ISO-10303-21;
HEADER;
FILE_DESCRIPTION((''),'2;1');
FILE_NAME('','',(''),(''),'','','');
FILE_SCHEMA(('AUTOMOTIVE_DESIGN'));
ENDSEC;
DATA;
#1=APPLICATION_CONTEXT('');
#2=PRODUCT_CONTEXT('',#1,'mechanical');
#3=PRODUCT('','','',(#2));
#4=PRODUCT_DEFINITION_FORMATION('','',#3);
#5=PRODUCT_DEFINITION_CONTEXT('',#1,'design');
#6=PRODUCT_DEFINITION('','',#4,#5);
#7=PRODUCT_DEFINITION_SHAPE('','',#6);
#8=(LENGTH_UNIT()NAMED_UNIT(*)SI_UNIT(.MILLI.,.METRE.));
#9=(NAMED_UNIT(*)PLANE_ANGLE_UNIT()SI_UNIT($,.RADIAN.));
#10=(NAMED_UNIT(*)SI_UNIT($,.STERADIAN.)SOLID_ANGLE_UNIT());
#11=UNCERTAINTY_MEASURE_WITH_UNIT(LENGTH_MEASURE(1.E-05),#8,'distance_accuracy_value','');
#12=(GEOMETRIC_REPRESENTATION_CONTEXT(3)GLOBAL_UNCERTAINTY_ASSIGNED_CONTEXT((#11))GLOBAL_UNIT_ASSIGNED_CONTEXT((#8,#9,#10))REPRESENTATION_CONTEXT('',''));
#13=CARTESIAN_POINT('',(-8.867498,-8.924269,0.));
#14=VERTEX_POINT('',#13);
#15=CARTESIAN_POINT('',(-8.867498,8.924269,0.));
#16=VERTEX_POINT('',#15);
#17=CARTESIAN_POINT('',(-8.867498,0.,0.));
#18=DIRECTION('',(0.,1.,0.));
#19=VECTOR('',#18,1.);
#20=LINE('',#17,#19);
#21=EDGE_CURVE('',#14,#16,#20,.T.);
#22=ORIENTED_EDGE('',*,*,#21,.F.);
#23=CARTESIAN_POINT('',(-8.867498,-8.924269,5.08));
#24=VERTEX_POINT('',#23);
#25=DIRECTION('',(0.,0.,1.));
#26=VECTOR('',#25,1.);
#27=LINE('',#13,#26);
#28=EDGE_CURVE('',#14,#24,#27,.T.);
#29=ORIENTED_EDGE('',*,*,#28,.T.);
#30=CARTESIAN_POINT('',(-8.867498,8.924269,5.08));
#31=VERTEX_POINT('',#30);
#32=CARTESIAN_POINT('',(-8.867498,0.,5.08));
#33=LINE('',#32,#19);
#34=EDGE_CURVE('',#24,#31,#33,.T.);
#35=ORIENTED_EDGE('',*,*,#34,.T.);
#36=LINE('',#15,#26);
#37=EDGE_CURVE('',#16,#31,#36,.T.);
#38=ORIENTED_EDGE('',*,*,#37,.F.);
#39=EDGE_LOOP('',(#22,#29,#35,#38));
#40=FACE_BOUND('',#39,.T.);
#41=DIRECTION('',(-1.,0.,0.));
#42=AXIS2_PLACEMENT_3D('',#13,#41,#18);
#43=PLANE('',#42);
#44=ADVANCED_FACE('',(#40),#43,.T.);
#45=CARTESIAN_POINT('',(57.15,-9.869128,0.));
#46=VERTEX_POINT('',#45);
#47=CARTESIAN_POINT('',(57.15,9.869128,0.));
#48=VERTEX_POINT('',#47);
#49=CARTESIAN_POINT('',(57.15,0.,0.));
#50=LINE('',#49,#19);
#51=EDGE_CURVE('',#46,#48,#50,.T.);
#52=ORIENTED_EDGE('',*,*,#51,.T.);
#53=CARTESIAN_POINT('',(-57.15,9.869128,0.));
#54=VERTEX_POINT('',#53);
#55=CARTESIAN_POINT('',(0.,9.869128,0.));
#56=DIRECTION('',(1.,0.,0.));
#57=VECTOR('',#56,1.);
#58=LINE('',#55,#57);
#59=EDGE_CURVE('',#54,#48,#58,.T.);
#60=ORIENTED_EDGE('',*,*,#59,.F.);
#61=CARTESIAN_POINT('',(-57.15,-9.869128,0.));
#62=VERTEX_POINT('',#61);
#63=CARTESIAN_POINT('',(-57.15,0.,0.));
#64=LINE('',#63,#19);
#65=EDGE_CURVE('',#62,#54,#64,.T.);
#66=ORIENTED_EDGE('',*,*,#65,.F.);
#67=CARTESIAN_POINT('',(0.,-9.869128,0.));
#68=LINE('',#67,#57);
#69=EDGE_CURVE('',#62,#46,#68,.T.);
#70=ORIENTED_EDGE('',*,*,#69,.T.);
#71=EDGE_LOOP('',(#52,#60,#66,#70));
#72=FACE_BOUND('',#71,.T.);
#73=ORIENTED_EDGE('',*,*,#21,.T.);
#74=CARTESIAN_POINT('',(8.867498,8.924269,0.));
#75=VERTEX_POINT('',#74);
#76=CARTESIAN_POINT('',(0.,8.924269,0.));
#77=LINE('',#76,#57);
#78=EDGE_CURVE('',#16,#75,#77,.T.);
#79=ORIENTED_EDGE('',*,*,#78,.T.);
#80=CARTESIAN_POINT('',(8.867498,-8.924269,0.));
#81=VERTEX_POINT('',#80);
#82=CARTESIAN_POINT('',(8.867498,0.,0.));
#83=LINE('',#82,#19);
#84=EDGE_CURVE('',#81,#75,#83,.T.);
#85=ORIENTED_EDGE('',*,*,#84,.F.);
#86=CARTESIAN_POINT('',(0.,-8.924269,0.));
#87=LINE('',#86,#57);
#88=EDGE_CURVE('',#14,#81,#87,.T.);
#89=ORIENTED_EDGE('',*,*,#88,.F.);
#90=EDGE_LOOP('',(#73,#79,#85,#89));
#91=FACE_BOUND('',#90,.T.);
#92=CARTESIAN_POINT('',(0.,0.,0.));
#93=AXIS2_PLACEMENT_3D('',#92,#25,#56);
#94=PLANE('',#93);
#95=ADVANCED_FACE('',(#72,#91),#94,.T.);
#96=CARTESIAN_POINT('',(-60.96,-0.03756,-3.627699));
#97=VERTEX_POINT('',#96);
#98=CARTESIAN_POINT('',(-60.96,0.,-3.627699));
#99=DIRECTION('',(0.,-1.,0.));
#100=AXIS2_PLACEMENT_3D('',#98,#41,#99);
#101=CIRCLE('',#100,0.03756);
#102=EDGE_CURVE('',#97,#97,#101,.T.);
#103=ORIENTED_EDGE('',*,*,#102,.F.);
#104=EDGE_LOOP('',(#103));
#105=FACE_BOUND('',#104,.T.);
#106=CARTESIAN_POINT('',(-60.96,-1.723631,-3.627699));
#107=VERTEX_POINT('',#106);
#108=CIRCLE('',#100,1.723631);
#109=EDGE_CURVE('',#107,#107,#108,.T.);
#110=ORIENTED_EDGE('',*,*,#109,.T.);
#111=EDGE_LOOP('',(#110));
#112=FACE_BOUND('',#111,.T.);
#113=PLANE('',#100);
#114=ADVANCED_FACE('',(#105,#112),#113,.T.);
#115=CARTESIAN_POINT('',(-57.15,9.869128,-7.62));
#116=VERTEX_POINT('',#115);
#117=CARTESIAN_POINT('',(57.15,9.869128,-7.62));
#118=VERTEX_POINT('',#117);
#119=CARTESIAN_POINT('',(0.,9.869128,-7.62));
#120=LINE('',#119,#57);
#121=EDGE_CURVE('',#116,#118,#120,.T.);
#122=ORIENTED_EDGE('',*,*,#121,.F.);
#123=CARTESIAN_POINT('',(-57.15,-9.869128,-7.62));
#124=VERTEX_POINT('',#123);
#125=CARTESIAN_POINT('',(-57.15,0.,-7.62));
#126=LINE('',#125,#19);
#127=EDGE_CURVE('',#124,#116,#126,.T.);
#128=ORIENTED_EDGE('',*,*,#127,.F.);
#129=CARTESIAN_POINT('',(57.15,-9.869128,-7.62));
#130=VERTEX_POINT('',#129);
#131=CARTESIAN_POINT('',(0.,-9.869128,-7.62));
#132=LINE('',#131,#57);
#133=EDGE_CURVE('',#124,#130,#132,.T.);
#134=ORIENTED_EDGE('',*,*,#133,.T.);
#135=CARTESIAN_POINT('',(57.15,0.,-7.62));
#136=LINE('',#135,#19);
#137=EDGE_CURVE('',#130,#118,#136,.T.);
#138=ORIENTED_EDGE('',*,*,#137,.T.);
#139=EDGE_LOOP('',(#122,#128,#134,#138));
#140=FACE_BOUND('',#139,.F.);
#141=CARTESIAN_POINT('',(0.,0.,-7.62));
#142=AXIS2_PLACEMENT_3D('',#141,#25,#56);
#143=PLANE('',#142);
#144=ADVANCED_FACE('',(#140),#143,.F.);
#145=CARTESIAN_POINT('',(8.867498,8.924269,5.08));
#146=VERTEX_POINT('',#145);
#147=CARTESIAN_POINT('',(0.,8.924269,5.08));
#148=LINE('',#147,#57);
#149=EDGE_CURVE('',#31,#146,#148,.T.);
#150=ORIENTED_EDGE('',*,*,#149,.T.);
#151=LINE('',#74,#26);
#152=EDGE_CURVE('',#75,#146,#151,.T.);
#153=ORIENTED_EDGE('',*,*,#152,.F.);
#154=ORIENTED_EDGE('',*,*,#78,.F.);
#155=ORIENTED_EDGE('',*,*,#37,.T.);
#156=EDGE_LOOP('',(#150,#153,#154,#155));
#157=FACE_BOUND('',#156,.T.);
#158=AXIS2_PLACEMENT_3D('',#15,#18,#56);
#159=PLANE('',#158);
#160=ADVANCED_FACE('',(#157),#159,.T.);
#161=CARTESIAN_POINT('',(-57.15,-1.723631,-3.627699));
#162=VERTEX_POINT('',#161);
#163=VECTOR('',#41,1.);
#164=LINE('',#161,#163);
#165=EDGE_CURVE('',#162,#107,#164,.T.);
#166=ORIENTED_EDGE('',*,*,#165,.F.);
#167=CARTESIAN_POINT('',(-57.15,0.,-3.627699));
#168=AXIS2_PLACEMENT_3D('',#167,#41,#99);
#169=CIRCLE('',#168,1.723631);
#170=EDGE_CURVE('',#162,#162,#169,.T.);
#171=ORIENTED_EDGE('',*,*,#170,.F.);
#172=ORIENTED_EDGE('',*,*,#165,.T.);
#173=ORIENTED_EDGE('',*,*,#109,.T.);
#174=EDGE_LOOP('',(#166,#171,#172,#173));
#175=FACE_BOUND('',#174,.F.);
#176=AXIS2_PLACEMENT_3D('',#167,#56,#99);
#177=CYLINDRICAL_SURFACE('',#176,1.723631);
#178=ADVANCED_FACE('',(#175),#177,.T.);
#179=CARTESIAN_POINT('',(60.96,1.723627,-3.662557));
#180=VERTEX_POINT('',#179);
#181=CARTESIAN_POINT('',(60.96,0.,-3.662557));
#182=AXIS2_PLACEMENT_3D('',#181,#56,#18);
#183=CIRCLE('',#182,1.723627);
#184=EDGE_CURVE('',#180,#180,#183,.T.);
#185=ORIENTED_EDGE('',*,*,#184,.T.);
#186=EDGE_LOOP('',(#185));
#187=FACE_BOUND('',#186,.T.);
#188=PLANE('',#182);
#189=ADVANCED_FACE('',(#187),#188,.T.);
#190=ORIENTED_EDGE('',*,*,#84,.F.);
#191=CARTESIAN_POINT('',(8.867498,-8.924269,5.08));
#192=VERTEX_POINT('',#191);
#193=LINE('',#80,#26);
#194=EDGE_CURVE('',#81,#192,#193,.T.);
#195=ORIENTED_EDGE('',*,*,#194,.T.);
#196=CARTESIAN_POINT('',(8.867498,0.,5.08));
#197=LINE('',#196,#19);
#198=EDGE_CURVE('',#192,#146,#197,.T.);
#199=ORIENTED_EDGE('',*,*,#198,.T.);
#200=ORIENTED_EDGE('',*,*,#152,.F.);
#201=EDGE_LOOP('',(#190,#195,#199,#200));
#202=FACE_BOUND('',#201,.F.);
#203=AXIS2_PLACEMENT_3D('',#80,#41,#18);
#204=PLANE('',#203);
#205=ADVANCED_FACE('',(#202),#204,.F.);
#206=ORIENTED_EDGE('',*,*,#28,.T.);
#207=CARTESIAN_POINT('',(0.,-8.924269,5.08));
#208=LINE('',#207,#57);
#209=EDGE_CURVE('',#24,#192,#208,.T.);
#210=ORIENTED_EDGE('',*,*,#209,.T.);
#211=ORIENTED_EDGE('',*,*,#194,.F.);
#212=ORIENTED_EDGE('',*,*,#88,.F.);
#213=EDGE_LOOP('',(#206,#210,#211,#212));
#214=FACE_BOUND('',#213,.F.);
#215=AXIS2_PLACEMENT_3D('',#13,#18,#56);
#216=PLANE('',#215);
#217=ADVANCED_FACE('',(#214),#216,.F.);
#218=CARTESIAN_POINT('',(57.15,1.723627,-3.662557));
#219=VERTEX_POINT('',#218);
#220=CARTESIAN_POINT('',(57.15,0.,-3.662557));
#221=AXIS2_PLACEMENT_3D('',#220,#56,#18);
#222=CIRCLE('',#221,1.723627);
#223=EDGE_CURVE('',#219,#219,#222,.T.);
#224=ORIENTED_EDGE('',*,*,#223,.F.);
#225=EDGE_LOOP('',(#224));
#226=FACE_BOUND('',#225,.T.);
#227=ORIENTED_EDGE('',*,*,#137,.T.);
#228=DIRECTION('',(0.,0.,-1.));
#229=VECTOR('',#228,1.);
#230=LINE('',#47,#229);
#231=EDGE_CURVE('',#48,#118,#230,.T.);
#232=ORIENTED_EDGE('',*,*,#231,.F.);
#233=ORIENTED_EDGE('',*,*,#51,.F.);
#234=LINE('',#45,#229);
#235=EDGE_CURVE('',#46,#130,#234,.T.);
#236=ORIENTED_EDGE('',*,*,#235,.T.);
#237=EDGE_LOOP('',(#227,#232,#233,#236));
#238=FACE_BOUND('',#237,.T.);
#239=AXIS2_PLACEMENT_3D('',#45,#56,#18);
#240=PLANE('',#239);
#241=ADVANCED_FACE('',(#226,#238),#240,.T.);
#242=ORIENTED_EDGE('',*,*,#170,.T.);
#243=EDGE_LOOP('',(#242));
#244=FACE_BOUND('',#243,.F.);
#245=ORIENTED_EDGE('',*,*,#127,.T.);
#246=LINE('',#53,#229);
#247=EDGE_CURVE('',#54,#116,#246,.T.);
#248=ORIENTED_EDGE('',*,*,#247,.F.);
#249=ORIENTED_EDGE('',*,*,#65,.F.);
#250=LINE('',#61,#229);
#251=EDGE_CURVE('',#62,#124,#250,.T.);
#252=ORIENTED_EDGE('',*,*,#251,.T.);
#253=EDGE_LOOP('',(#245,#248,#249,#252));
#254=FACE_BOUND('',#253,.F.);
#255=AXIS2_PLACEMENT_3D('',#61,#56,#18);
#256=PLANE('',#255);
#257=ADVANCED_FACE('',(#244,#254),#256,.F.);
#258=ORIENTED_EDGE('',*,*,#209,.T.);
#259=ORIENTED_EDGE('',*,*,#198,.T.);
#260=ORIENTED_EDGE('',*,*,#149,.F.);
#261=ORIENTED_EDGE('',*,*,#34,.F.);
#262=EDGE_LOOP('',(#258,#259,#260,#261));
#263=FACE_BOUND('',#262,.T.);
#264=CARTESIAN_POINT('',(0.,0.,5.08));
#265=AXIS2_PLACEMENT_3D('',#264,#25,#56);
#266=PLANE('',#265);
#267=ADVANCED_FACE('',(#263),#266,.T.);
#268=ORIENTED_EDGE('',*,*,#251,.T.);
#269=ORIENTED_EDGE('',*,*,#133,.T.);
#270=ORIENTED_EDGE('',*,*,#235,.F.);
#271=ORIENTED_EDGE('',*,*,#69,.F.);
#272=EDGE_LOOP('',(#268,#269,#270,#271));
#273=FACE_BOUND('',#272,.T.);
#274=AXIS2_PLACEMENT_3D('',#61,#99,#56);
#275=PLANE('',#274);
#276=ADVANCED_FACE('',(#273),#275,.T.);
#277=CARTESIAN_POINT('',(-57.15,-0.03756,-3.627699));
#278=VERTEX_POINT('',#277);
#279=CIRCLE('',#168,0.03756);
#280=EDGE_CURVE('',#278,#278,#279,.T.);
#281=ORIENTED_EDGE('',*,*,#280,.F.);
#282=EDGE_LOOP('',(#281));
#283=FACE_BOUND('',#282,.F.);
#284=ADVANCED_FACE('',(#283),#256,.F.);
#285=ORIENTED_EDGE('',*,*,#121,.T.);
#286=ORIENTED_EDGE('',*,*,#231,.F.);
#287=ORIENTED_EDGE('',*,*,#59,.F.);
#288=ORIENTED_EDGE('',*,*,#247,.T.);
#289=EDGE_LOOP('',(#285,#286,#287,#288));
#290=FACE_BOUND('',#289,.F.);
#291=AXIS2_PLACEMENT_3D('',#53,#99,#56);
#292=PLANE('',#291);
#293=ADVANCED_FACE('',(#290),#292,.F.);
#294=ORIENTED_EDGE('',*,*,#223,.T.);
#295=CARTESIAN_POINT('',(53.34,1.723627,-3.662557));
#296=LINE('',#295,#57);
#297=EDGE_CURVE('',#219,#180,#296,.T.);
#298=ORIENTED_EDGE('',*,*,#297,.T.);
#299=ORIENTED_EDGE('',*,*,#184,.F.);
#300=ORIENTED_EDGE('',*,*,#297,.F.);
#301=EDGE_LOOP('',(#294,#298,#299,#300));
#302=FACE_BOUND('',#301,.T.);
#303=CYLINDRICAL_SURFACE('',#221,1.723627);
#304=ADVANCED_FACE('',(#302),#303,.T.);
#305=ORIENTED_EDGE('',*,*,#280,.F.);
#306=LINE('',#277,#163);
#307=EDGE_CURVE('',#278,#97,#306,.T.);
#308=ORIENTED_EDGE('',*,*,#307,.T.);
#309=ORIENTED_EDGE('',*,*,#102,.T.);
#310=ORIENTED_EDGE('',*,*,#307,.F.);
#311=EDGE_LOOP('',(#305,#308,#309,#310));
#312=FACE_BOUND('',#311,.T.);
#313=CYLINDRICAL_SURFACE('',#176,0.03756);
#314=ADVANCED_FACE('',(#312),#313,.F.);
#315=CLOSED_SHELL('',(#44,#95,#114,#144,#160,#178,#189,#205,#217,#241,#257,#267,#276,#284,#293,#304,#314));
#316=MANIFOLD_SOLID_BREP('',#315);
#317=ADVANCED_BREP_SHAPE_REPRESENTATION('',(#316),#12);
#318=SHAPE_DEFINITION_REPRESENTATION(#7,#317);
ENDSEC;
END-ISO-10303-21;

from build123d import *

# Parameters (mm, degrees)
F0_W     = 17.734996
F0_H     = 17.848538
F1_DEPTH = 5.08
F2_W     = 114.3
F2_H     = 19.738256
F3_DEPTH = 7.62
F5_R     = 1.723631
F5_R_2   = 0.03756
F4_R     = 1.723627
F6_DEPTH = 3.81


with BuildPart() as f1:
    # F0 (on Top) → F1 (new body)
    with BuildSketch(Plane.XY):
        Rectangle(F0_W, F0_H)
    extrude(amount=F1_DEPTH)

    # F2 (on Top) → F3 (join)
    with BuildSketch(Plane.XY):
        Rectangle(F2_W, F2_H)
    extrude(amount=-F3_DEPTH)

    # F5 (on face) + F4 (on face) → F6 (join, symmetric)
    with BuildSketch(Plane(origin=(-57.15, 0, 0), x_dir=(0, -1, 0), z_dir=(-1, 0, 0))):
        with Locations((0, -3.627699)):
            Circle(F5_R)
        with Locations((0, -3.627699)):
            Circle(F5_R_2, mode=Mode.SUBTRACT)
    with BuildSketch(Plane.YZ.offset(57.15)):
        with Locations((0, -3.662557)):
            Circle(F4_R)
    extrude(amount=F6_DEPTH, both=True)


solid = f1.part
